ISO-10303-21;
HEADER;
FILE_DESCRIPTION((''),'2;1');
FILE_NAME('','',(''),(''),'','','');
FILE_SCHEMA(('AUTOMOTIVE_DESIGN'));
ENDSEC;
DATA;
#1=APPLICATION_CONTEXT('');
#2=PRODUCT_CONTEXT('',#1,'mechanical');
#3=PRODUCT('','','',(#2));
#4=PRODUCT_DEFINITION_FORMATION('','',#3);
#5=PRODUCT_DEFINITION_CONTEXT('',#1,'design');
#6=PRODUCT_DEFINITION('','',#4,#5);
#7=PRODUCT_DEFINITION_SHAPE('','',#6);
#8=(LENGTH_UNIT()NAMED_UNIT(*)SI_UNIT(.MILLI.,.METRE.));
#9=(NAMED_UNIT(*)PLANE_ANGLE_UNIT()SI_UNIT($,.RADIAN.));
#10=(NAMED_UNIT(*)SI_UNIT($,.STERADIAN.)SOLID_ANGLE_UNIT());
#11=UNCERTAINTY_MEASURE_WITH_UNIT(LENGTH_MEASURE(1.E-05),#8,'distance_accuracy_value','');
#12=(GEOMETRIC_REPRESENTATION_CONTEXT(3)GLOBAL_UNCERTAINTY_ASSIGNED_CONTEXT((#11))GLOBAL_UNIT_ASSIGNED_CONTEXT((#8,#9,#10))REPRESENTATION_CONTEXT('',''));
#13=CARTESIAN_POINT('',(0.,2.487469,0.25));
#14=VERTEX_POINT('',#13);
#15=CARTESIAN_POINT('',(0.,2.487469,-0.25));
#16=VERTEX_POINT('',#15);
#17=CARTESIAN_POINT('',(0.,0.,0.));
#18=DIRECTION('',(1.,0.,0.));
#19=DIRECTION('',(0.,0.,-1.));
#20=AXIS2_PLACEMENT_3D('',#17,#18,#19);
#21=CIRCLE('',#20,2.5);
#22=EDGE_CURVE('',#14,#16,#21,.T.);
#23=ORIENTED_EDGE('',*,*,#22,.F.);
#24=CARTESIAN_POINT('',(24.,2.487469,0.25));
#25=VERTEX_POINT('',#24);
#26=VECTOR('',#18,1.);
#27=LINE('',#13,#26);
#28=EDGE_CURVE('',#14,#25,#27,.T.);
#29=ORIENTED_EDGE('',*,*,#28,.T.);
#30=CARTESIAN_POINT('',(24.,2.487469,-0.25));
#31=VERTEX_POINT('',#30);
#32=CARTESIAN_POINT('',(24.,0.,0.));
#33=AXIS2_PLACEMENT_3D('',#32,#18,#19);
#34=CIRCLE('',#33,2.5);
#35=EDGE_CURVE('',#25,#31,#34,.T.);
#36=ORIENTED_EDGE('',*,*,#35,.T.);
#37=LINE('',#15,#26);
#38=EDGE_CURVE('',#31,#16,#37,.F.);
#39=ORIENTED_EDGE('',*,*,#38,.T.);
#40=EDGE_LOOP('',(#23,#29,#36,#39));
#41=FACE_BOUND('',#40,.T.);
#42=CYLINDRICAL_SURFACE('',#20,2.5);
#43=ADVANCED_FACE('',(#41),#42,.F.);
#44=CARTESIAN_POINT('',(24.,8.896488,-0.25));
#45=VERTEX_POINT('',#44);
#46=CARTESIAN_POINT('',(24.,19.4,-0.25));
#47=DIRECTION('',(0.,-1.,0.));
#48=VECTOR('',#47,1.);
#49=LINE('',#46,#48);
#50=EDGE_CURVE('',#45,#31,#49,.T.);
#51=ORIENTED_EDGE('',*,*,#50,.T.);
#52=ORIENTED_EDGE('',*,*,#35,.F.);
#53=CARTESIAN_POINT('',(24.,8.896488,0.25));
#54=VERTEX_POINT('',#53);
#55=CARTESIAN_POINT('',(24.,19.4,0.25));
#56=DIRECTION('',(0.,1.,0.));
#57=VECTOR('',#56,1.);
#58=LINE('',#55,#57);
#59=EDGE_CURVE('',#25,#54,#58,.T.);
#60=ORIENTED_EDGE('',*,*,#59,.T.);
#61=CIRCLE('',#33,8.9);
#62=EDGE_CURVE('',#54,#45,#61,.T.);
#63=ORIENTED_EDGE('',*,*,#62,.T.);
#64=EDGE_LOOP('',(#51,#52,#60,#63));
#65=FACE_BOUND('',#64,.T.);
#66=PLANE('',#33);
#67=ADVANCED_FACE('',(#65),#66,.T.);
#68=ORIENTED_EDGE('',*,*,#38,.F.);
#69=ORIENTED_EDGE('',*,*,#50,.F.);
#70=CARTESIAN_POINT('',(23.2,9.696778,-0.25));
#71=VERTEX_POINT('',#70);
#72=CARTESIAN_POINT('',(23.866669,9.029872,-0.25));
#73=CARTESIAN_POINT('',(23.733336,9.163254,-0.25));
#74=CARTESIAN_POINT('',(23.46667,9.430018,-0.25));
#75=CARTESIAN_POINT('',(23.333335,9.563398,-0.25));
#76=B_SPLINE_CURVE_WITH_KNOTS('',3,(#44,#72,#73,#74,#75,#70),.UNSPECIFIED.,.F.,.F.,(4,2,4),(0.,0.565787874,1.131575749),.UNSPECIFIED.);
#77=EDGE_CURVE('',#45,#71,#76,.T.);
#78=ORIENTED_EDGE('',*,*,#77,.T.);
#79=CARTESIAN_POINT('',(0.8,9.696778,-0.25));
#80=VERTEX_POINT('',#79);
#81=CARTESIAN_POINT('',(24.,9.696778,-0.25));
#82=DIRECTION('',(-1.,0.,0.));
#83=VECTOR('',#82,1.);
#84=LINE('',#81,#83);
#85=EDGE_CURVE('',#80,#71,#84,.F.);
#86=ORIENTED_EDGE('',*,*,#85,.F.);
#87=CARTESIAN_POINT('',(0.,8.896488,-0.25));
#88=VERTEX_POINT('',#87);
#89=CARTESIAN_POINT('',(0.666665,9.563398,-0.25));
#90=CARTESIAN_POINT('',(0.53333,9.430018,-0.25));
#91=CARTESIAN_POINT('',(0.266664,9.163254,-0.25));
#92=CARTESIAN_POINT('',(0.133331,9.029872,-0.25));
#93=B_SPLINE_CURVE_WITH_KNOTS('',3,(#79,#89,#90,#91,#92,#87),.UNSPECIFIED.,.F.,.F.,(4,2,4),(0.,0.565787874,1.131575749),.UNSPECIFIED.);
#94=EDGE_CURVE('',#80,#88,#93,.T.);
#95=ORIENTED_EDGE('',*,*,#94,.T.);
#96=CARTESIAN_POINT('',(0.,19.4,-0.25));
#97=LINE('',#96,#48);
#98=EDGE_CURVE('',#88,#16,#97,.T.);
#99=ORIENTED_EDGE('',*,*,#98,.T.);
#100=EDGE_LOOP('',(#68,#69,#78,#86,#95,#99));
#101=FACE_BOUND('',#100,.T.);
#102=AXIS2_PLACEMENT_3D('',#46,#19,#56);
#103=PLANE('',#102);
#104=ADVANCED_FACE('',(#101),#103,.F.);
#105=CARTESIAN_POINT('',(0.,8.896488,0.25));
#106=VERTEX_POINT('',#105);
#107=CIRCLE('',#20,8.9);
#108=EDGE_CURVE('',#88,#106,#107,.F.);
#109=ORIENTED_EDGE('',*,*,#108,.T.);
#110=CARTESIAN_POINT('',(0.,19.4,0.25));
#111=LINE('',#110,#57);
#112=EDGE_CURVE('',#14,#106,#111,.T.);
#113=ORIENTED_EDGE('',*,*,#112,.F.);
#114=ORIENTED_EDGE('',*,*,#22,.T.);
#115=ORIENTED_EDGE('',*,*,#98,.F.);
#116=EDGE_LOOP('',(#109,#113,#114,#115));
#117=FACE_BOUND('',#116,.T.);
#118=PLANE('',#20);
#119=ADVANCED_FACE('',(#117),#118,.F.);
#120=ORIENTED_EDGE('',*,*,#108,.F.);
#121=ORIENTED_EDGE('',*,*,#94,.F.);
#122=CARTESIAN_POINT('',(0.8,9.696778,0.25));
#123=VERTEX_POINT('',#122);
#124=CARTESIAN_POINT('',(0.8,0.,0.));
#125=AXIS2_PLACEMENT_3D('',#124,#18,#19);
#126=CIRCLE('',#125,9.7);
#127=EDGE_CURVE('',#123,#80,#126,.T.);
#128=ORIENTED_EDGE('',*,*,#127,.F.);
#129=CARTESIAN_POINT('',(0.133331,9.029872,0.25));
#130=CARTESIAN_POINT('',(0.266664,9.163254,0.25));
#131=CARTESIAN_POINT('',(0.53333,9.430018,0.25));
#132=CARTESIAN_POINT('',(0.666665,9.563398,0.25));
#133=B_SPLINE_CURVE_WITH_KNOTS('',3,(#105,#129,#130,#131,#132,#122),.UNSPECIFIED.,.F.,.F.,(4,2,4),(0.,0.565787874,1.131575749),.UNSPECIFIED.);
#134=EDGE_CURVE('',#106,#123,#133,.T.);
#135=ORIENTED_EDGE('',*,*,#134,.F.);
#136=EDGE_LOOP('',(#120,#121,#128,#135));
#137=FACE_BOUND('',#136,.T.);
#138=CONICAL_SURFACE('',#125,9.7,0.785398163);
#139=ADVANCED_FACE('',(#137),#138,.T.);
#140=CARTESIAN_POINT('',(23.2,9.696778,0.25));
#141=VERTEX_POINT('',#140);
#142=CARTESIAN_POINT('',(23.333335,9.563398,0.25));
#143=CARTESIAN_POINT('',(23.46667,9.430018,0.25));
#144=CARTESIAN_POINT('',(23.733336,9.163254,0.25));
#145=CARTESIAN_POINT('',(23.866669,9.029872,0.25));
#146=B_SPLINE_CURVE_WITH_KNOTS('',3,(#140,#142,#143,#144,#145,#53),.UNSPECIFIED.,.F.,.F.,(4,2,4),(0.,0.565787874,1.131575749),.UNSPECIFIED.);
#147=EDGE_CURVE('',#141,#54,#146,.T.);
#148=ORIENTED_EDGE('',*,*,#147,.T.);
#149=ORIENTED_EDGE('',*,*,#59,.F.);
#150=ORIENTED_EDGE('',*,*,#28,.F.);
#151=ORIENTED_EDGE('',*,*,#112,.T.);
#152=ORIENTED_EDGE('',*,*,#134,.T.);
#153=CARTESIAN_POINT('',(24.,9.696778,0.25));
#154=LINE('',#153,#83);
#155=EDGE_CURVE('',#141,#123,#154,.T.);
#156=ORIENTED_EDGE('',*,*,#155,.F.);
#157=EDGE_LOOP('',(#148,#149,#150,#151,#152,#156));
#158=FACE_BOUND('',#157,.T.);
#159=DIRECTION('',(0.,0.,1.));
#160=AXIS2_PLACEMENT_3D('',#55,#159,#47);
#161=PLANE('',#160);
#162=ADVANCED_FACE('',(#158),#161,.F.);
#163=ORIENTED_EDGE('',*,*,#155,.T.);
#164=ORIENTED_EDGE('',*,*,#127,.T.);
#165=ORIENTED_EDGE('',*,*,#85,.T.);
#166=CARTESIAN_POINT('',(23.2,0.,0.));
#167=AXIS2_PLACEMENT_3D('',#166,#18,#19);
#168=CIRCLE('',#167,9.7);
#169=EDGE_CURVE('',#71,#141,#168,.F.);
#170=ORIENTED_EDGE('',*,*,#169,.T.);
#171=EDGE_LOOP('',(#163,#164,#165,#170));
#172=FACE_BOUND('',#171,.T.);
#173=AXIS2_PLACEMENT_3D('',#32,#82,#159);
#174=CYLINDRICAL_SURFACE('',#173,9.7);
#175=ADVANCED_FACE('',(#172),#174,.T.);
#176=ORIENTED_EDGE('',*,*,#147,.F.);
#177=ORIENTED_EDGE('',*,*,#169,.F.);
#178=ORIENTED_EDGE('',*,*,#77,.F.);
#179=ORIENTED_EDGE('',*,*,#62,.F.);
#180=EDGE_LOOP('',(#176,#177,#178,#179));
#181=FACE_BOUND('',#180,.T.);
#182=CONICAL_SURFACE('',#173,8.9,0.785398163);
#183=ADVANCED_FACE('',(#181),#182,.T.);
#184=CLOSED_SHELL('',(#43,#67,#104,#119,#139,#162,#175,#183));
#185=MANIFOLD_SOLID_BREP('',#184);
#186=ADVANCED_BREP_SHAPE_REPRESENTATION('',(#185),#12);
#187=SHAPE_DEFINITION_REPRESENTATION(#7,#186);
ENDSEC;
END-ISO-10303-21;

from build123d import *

# Parameters (mm, degrees)
SKETCH1_R           = 9.7
BOSS_EXTRUDE1_DEPTH = 24
SKETCH2_R           = 2.5
CUT_EXTRUDE1_DEPTH  = 28.643805816
SKETCH3_W           = 0.5
SKETCH3_H           = 19.4
CUT_EXTRUDE2_DEPTH  = 28.643805816
CHAMFER1_SIZE       = 0.8


with BuildPart() as part:
    # Sketch1 → Boss-Extrude1 (new body)
    with BuildSketch(Plane(origin=(0, 0, 0), x_dir=(0, 0, -1), z_dir=(1, 0, 0))):
        Circle(SKETCH1_R)
    extrude(amount=BOSS_EXTRUDE1_DEPTH)

    # Sketch2 → Cut-Extrude1 (cut, through all)
    with BuildSketch(Plane(origin=(24, 0, 0), x_dir=(0, 0, -1), z_dir=(1, 0, 0))):
        Circle(SKETCH2_R)
    extrude(amount=-CUT_EXTRUDE1_DEPTH, mode=Mode.SUBTRACT)

    # Sketch3 → Cut-Extrude2 (cut, through all)
    with BuildSketch(Plane.ZY):
        with Locations((0, 9.7)):
            Rectangle(SKETCH3_W, SKETCH3_H)
    extrude(amount=-CUT_EXTRUDE2_DEPTH, mode=Mode.SUBTRACT)

    # Chamfer1
    chamfer1_edges = [part.edges().sort_by_distance(p)[0] for p in [
        (0, -6.946761836, 6.769970458),
        (24, -6.946761836, 6.769970458),
    ]]
    chamfer(chamfer1_edges, length=CHAMFER1_SIZE)


solid = part.part
